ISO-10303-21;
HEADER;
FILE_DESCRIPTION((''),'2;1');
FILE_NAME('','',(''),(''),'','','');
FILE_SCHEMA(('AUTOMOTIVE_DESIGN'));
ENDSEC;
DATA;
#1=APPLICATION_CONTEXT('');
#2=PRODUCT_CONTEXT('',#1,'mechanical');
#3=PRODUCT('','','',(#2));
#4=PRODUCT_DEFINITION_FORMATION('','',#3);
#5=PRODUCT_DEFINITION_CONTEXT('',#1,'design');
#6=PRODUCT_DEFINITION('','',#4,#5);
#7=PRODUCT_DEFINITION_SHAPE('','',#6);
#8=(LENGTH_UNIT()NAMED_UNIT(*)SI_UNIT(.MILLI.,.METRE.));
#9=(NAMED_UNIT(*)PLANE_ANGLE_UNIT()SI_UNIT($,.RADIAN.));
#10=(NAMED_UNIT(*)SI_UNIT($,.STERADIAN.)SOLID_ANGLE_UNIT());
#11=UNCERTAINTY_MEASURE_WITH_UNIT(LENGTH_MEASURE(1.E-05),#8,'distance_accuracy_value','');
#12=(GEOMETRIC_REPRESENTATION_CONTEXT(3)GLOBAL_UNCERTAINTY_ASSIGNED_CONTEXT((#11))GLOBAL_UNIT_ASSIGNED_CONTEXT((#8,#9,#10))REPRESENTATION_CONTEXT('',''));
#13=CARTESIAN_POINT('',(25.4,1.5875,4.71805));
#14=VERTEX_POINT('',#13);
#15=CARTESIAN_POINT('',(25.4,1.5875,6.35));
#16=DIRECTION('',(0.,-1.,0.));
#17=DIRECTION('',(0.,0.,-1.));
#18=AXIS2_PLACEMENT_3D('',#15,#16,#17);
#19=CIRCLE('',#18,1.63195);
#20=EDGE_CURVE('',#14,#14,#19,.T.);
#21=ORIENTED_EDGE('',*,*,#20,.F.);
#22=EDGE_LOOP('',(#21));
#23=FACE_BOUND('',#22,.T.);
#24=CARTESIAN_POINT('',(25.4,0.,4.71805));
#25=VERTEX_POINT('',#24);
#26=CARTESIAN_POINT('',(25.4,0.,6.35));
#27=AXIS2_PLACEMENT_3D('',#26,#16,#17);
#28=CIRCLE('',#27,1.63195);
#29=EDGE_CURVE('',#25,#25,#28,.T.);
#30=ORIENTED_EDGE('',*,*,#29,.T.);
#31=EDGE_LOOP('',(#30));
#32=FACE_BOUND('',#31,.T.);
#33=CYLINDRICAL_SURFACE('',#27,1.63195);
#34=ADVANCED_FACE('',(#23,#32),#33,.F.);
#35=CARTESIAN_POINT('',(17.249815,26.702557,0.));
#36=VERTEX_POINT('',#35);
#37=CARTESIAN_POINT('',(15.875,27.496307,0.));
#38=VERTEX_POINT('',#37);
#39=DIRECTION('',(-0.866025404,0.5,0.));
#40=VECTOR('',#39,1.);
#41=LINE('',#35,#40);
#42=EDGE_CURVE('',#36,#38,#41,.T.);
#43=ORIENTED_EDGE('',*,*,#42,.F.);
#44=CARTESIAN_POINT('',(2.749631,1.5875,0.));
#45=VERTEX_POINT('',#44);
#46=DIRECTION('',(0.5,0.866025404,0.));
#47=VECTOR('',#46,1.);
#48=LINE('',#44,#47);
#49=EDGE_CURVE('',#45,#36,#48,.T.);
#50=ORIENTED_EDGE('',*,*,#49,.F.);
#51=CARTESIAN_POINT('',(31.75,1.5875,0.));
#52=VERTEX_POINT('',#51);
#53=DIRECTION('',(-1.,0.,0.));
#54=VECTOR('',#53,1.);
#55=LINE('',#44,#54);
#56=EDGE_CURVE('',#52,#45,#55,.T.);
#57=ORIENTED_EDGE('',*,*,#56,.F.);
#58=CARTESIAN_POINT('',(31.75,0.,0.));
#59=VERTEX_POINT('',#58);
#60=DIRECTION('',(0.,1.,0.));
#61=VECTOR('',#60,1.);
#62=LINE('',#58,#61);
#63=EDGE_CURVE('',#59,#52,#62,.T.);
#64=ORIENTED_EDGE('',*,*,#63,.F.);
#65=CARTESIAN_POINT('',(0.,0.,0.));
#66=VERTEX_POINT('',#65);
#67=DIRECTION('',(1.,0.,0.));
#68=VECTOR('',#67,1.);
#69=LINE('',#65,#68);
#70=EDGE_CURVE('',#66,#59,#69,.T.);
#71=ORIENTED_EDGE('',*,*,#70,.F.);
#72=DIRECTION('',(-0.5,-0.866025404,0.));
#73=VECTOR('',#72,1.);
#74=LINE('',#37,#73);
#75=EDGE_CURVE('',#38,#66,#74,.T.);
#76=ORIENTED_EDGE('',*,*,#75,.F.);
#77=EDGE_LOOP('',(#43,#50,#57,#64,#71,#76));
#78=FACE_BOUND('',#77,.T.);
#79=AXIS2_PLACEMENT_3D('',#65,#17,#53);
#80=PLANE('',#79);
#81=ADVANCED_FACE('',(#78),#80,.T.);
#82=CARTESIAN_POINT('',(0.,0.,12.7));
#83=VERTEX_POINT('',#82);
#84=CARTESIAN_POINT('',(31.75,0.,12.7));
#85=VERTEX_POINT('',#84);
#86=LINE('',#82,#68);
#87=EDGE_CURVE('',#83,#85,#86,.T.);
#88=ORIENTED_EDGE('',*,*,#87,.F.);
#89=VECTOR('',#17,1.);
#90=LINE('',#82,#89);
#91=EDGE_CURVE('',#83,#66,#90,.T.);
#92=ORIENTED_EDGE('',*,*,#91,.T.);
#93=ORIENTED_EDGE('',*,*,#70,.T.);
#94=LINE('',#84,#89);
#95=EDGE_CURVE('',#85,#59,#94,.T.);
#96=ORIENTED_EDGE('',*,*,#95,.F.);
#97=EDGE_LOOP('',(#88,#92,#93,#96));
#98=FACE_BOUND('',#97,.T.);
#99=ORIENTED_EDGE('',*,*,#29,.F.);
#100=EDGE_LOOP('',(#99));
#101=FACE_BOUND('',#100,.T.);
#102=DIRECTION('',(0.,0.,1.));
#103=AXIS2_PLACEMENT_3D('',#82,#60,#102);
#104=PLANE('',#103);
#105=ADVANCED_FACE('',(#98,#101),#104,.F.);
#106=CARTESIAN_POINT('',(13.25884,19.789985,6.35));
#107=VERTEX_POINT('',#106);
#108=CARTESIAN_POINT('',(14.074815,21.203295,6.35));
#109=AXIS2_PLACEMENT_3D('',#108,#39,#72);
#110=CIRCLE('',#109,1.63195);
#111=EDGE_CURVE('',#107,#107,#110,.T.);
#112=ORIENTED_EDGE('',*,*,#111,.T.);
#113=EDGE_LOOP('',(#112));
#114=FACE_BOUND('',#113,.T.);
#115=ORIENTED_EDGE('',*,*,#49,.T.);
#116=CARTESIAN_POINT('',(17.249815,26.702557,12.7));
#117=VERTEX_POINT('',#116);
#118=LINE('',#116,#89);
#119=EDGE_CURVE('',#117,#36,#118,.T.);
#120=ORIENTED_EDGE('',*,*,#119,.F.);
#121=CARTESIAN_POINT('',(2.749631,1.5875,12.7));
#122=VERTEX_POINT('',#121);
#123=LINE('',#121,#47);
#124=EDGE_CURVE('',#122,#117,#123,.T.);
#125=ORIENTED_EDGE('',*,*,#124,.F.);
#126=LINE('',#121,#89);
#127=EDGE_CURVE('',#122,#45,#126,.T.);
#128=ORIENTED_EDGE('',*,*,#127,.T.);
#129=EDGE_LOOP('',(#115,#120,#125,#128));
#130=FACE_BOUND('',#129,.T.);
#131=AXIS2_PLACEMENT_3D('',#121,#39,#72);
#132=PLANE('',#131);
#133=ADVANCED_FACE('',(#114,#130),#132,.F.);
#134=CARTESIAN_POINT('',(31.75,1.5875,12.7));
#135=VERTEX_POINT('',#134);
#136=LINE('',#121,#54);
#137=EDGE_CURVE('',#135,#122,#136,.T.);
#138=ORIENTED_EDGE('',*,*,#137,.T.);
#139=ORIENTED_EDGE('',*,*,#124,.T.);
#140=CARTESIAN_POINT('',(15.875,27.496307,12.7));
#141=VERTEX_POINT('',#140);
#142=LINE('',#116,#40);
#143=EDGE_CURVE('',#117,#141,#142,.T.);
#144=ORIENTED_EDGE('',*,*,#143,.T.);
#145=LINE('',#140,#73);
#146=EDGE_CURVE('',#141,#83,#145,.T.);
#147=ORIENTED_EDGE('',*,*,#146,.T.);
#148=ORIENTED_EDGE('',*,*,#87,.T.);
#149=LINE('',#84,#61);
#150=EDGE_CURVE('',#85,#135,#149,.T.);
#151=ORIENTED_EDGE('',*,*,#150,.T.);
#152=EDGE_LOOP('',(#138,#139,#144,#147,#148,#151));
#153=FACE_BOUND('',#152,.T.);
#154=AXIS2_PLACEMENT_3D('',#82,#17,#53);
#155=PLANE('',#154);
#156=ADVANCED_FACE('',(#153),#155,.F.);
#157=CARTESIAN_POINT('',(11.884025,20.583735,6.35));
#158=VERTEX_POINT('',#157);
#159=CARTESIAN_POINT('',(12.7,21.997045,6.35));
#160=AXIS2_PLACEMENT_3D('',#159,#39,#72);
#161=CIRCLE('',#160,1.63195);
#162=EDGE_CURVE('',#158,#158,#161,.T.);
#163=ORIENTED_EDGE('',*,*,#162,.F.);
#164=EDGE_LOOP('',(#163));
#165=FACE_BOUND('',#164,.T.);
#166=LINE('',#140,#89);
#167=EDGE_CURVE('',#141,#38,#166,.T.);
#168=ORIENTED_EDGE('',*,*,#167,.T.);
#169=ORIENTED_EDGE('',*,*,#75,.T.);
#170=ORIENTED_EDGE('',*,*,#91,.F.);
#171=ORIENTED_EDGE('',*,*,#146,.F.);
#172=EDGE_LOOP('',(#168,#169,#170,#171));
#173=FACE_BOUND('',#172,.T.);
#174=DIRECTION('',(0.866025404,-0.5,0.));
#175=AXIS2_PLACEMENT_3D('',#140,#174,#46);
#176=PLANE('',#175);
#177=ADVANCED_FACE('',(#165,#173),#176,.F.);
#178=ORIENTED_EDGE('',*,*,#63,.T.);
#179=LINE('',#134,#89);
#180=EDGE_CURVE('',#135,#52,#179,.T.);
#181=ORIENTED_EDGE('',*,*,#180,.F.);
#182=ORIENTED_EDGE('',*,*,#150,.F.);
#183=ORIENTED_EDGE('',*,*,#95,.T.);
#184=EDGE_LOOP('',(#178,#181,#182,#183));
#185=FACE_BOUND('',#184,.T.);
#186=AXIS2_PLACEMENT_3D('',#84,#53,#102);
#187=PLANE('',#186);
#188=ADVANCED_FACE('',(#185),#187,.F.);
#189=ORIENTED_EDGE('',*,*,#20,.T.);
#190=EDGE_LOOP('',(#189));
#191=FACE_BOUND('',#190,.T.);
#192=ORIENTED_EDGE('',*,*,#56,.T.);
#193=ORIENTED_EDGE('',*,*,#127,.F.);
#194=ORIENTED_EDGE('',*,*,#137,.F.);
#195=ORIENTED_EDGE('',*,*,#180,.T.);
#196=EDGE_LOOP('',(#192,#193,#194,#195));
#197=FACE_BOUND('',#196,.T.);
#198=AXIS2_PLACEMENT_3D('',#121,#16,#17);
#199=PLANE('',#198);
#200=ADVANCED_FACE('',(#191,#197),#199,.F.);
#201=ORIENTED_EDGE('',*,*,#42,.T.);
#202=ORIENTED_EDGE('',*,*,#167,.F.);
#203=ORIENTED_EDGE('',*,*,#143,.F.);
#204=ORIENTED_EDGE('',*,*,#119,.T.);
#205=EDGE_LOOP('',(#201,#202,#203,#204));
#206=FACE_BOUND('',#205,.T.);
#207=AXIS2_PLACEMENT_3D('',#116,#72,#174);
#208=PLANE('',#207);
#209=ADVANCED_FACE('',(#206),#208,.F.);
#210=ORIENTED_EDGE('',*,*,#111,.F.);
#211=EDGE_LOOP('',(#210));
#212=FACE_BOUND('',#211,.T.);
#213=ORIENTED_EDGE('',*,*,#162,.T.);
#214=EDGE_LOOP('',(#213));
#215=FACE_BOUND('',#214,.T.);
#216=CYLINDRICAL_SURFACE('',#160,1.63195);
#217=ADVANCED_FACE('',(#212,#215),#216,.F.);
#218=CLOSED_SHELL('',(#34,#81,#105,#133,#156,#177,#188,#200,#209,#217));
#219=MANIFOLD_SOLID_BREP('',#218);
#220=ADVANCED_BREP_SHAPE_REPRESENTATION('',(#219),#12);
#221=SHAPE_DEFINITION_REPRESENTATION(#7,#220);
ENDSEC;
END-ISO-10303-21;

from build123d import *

# Parameters (mm, degrees)
BOSS_EXTRUDE1_DEPTH             = 12.7
F_4_CLEARANCE_HOLE1_D           = 3.2639
F_4_CLEARANCE_HOLE1_ON_FACE_2_D = 3.2639


with BuildPart() as part:
    # Sketch1 → Boss-Extrude1 (new body)
    with BuildSketch(Plane.XY):
        Polygon((0, 0), (31.75, 0), (31.75, 1.5875), (2.749630657, 1.5875), (17.249815329, 26.70255657), (15.875, 27.49630657), align=None)
    extrude(amount=BOSS_EXTRUDE1_DEPTH)

    # #4 Clearance Hole1 (through all)
    with Locations(Plane(origin=(12.7, 21.997045256, 6.35), x_dir=(-0.5, -0.866025403784, 0), z_dir=(-0.866025403784, 0.5, 0))):
        with Locations((0, 0)):
            Hole(F_4_CLEARANCE_HOLE1_D / 2)

    # #4 Clearance Hole1 on face 2 (through all)
    with Locations(Plane(origin=(25.4, 0, 6.35), x_dir=(0, 0, -1), z_dir=(0, -1, 0))):
        with Locations((0, 0)):
            Hole(F_4_CLEARANCE_HOLE1_ON_FACE_2_D / 2)


solid = part.part
